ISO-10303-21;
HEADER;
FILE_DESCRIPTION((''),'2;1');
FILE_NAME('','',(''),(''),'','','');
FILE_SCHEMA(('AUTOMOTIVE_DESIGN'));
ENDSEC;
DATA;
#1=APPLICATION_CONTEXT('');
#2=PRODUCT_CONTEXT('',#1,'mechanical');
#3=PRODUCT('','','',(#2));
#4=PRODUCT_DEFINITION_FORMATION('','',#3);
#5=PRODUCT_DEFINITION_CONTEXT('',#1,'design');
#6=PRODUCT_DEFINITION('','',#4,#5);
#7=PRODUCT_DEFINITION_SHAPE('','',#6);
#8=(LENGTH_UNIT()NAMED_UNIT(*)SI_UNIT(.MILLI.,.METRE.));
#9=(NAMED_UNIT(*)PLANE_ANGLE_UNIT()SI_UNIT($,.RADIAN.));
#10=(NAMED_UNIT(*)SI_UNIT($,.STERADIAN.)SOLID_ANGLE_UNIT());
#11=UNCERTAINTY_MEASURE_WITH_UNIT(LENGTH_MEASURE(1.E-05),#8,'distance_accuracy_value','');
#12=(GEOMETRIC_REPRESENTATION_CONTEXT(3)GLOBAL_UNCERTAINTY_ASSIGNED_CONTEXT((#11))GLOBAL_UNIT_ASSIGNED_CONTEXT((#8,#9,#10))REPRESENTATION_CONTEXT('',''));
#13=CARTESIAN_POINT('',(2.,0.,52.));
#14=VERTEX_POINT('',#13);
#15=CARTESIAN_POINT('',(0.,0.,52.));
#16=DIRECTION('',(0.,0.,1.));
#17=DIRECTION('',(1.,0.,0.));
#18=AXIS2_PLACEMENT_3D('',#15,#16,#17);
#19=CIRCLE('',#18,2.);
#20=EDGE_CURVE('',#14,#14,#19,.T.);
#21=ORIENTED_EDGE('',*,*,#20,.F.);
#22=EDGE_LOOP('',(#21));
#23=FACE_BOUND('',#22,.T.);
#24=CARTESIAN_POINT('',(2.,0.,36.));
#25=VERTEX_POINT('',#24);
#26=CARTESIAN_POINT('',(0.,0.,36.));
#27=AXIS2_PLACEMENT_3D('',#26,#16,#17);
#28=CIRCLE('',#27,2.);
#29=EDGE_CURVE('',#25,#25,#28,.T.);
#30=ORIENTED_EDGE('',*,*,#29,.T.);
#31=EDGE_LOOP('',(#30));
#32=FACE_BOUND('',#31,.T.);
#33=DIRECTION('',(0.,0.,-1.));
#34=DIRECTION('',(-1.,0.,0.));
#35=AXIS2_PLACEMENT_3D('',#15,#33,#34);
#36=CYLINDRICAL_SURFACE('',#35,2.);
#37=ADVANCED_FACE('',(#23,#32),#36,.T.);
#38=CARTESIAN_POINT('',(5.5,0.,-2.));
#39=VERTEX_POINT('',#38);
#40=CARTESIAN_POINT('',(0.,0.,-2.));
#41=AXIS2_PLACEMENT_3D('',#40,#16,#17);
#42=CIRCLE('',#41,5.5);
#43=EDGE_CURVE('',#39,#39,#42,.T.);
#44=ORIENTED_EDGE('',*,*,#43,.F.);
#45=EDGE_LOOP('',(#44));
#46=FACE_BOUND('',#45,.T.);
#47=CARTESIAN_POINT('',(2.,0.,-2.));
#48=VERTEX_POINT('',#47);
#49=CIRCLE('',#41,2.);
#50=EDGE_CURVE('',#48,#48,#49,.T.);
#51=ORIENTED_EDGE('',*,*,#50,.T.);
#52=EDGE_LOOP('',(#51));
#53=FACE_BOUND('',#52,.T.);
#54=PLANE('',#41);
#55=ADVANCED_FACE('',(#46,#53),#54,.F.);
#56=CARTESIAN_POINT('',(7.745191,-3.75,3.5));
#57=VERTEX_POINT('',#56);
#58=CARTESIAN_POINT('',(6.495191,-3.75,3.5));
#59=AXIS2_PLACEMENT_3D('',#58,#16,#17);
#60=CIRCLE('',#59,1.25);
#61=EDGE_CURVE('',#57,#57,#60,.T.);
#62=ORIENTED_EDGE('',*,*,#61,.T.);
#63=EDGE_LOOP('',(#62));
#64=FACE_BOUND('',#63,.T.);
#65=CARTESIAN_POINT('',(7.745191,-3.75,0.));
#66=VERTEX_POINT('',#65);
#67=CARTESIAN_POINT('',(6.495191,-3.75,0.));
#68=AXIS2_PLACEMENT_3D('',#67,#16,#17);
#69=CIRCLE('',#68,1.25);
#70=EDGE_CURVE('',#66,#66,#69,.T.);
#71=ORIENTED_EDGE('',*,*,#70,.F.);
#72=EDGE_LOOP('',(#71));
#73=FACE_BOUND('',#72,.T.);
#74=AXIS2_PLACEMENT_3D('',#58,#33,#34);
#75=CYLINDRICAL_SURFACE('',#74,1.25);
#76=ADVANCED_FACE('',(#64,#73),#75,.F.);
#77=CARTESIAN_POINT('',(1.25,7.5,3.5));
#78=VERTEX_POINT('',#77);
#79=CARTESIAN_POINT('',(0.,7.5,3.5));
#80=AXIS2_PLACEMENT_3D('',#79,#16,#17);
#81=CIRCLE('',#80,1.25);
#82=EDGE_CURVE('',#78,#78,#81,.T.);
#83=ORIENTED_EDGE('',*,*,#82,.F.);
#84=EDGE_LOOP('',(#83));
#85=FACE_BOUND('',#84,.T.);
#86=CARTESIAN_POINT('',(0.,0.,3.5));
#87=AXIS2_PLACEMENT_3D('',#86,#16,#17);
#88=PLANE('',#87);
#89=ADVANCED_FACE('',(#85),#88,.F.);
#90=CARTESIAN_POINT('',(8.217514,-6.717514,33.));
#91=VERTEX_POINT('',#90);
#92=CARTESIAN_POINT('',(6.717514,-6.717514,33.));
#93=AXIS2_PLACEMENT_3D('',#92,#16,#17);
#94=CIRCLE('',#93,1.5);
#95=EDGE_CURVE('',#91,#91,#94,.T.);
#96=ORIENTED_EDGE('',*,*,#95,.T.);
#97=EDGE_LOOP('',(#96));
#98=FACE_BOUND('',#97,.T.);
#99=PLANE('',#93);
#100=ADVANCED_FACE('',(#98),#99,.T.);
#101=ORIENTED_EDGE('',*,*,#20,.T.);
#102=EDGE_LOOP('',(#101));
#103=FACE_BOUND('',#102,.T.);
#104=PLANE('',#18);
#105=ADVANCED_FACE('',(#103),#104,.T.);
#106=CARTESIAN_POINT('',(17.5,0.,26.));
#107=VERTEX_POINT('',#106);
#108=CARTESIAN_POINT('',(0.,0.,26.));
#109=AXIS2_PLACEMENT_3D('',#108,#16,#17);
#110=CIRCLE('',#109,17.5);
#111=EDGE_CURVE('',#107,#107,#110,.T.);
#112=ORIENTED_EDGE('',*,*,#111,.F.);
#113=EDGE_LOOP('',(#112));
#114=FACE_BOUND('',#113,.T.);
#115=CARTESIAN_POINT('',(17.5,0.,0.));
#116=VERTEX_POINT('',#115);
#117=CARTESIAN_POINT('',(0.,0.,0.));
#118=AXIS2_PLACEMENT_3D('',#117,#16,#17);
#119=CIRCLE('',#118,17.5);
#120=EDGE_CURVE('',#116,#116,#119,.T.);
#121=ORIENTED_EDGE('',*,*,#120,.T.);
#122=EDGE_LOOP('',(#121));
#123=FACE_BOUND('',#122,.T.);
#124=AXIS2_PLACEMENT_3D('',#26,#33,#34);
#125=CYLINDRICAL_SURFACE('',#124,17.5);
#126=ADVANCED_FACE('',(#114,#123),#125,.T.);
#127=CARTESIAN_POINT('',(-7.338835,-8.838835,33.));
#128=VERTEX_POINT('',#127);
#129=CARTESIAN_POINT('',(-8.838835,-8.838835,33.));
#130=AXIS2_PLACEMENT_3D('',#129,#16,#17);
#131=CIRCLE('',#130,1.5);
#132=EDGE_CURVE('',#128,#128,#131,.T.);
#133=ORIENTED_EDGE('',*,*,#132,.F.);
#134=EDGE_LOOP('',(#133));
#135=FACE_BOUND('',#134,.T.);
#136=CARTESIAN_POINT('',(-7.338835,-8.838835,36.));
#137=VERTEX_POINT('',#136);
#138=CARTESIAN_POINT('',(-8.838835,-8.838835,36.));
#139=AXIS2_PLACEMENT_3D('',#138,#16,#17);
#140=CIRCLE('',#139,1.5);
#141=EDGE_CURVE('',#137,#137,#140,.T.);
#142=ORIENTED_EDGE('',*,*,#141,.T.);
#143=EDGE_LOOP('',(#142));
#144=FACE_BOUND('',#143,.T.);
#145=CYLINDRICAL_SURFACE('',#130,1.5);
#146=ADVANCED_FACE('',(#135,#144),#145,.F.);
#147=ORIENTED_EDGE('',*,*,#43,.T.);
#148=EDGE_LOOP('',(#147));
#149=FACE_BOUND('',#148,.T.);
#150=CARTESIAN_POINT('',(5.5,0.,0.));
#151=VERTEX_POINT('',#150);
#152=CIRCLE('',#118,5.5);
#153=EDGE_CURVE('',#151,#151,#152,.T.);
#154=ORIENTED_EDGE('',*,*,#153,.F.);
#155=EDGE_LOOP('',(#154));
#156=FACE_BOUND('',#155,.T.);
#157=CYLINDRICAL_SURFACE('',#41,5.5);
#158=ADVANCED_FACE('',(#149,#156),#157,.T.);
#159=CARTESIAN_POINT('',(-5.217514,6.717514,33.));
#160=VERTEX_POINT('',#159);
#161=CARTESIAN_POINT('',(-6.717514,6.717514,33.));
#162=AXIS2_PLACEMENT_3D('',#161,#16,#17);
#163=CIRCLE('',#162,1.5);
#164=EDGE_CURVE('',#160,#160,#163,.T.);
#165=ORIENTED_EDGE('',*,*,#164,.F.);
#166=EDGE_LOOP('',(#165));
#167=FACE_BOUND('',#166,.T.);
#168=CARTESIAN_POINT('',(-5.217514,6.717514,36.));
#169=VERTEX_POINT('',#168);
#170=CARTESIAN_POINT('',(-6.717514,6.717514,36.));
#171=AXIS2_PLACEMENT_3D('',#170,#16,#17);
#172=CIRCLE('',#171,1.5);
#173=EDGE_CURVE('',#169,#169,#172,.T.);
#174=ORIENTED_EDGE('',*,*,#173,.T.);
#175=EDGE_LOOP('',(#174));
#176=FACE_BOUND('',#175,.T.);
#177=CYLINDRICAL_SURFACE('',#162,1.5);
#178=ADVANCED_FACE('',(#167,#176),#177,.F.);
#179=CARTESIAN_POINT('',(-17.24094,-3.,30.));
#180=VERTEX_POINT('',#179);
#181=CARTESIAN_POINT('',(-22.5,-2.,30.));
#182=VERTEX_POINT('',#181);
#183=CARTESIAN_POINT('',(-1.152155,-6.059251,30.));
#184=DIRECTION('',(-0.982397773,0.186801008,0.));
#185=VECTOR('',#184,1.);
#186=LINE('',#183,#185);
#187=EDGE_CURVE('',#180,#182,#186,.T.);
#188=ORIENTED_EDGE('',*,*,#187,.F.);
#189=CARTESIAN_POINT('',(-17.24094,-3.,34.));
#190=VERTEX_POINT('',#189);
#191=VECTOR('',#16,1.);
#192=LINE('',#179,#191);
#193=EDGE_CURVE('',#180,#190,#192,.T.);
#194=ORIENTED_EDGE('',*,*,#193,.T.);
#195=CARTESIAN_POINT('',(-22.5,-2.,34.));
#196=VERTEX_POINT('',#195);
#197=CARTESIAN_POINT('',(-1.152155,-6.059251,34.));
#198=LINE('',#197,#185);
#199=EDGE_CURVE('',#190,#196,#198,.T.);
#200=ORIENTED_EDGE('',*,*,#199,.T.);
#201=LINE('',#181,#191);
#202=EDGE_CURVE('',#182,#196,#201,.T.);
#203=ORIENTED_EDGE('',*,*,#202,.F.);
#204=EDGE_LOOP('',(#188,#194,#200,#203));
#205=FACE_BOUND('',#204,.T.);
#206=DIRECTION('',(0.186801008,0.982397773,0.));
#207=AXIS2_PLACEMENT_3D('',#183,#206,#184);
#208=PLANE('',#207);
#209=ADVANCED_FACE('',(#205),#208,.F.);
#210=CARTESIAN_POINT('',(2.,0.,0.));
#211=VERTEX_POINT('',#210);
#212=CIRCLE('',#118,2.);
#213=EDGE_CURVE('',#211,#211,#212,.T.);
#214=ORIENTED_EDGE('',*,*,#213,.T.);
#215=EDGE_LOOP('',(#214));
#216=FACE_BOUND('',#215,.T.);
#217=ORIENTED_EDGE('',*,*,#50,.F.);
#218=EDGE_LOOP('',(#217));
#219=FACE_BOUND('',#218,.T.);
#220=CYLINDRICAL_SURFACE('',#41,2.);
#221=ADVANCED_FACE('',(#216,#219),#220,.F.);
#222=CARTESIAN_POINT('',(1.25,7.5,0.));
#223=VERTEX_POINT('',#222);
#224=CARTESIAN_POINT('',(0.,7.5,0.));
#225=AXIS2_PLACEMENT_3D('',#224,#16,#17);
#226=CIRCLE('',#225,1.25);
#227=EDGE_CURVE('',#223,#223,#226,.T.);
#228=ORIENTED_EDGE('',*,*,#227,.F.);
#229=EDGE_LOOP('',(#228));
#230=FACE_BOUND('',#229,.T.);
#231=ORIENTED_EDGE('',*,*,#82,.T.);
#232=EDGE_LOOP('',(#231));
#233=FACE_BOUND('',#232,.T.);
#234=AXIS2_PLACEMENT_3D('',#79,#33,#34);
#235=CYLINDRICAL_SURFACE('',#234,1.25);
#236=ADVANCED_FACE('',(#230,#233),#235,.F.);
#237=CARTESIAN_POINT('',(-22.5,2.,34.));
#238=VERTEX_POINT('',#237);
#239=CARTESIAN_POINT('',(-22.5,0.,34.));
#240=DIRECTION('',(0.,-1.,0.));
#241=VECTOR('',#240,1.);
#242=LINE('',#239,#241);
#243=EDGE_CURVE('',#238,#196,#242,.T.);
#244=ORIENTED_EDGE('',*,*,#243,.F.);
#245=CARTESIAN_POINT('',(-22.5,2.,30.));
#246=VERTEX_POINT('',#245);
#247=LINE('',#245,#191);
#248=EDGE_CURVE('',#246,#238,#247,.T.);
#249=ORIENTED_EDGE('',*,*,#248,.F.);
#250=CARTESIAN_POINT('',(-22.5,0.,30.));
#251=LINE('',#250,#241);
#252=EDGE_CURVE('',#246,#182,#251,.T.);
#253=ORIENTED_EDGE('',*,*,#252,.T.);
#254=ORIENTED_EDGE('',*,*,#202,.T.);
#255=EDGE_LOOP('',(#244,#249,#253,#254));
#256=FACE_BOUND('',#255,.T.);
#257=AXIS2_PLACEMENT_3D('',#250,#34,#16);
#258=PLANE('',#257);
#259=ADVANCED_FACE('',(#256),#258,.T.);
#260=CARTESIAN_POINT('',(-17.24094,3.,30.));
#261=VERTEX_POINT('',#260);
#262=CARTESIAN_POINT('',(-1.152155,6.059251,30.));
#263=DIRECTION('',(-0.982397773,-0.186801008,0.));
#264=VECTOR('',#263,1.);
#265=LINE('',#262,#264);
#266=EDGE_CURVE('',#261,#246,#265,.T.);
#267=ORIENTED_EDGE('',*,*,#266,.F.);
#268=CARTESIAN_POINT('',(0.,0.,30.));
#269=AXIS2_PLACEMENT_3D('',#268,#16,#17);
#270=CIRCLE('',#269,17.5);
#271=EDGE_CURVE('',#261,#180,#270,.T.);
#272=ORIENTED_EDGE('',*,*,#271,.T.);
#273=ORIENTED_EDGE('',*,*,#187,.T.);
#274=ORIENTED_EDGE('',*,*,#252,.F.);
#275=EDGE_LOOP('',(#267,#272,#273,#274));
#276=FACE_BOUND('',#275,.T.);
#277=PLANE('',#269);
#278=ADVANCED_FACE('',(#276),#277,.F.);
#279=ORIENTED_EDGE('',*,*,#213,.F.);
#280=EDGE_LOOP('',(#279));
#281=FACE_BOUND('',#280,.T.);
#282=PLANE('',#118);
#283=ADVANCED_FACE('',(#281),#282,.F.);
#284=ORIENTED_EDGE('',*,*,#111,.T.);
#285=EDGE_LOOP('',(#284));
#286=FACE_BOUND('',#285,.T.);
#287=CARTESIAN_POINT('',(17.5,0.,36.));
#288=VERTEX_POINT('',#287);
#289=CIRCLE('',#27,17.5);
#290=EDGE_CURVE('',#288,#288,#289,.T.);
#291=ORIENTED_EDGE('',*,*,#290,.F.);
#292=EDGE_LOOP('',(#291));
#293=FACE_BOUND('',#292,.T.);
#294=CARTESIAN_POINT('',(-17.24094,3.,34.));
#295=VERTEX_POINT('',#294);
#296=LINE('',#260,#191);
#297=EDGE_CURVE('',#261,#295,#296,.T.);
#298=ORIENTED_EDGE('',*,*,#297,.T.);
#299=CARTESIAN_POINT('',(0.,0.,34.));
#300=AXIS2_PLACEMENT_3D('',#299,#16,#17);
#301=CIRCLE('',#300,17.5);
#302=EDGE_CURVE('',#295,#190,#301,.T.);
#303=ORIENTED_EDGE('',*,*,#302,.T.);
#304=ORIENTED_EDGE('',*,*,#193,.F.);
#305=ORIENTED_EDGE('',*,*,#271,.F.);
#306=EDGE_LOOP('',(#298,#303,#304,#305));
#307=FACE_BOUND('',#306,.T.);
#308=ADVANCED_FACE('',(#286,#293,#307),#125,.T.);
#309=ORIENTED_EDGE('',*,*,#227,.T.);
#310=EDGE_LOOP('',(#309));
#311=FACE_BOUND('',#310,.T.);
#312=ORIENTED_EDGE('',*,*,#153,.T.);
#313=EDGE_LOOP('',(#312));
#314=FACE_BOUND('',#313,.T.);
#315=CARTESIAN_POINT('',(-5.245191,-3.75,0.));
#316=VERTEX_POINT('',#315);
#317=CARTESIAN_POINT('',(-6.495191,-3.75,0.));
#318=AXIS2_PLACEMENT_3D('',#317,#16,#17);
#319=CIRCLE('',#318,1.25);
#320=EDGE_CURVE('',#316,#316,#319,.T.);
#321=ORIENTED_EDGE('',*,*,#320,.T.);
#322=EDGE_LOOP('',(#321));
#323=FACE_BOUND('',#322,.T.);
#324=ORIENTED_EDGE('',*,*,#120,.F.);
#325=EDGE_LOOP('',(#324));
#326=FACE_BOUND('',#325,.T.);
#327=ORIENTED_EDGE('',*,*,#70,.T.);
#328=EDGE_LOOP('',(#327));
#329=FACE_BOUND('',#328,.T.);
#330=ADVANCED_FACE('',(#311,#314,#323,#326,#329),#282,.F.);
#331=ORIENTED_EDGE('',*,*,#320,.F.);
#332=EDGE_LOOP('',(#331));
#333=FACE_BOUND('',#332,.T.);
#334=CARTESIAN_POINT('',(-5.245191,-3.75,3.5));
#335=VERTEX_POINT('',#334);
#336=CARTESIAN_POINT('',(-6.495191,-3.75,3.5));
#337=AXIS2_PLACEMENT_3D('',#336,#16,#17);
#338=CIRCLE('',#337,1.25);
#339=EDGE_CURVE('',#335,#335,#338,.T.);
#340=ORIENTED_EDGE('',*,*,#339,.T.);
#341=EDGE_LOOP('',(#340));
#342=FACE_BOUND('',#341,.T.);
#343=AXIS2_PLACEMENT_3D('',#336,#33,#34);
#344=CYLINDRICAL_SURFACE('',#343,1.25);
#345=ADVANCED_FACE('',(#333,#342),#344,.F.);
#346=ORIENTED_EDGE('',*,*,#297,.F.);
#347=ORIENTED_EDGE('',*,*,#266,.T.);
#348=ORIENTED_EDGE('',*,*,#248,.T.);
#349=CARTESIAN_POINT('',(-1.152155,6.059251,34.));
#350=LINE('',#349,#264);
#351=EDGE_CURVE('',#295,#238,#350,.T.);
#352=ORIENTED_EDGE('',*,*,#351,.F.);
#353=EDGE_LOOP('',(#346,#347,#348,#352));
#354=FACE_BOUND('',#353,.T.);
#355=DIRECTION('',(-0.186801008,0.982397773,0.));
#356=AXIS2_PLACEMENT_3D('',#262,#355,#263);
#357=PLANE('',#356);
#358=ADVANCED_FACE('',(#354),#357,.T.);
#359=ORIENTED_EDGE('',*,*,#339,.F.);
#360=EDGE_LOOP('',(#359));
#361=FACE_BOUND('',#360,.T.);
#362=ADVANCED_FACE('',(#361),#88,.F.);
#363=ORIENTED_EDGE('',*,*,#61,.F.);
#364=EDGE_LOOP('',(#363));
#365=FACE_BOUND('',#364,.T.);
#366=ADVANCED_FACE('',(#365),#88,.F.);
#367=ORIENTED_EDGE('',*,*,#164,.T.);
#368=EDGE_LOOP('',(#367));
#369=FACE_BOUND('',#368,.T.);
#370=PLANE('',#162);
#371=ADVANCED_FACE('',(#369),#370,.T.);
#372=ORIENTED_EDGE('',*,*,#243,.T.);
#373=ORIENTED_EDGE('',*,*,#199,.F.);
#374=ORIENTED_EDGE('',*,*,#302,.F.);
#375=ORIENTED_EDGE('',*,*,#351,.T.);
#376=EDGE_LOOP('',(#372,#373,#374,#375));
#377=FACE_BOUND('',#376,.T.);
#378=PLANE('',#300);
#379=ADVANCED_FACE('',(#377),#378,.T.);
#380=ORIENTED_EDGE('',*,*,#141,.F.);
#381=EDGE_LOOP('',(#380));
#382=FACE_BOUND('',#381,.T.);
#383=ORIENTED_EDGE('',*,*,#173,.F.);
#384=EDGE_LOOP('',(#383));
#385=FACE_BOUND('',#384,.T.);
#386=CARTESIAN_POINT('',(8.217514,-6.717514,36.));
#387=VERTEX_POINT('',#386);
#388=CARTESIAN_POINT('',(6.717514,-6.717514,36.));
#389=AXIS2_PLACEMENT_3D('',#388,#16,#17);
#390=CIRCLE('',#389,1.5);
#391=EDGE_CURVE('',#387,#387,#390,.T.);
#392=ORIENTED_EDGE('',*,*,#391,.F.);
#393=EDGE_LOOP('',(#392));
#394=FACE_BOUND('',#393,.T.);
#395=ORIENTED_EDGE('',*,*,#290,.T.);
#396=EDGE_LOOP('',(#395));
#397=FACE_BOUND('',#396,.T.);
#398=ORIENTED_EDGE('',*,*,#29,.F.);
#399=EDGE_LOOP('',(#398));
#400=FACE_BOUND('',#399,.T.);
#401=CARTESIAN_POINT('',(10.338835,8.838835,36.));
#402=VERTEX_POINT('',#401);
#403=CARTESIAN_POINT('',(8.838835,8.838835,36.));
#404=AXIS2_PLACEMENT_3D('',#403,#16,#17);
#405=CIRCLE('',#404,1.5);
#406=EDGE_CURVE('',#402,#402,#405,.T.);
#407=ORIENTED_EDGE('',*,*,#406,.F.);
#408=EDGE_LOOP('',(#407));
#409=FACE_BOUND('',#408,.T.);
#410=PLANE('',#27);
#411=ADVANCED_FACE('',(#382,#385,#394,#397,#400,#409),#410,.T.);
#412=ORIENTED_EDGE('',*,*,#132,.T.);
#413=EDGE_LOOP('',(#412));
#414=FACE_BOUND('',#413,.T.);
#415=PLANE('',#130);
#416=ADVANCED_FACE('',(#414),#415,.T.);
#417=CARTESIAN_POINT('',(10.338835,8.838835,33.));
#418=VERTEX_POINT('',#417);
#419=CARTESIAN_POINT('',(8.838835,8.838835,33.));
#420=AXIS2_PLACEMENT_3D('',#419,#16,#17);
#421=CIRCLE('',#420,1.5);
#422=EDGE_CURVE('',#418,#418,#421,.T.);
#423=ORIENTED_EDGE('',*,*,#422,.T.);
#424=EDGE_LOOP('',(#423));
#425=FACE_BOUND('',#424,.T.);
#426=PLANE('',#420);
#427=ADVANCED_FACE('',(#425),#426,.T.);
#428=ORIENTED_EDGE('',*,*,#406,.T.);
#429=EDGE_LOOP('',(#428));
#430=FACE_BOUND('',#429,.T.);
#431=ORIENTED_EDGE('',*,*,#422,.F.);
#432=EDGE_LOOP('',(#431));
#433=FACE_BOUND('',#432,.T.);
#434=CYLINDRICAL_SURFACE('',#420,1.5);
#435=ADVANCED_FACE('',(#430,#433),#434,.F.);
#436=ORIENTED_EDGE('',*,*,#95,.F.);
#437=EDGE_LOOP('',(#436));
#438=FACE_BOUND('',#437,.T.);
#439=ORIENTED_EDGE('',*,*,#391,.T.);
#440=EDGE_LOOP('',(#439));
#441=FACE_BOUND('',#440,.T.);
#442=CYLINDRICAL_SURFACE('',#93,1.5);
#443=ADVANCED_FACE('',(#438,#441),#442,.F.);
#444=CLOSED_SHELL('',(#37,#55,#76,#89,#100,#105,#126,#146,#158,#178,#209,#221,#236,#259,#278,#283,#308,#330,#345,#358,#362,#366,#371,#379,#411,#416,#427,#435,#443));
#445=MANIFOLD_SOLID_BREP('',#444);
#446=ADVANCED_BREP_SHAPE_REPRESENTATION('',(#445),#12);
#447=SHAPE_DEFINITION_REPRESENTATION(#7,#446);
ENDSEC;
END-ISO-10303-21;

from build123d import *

# Parameters (mm, degrees)
SKETCH3_R           = 17.5
SKETCH3_R_2         = 1.25
SKETCH3_R_3         = 5.5
SKETCH3_R_4         = 2
BOSS_EXTRUDE2_DEPTH = 36
BOSS_EXTRUDE3_START = 36
SKETCH3_4_R         = 2
BOSS_EXTRUDE3_DEPTH = 16
BOSS_EXTRUDE4_START = -2
SKETCH3_5_R         = 5.5
SKETCH3_5_R_2       = 2
BOSS_EXTRUDE4_DEPTH = 2
SKETCH3_8_R         = 1.25
CUT_EXTRUDE1_DEPTH  = 3.5
CUT_EXTRUDE2_START  = 36
BASE_R              = 1.5
CUT_EXTRUDE2_DEPTH  = 3
BOSS_EXTRUDE5_START = 30
BOSS_EXTRUDE5_DEPTH = 4


with BuildPart() as part:
    # Sketch3 → Boss-Extrude2 (new body)
    # profile 1 of 6: a face of its own
    with BuildSketch(Plane.XY):
        Circle(SKETCH3_R)
        with Locations((-6.495190528, -3.75)):
            Circle(SKETCH3_R_2, mode=Mode.SUBTRACT)
        with Locations((6.495190528, -3.75)):
            Circle(SKETCH3_R_2, mode=Mode.SUBTRACT)
        with Locations((0, 7.5)):
            Circle(SKETCH3_R_2, mode=Mode.SUBTRACT)
        Circle(SKETCH3_R_3, mode=Mode.SUBTRACT)
    # profile 2 of 6: a face of its own
    with BuildSketch(Plane.XY):
        with Locations((0, 7.5)):
            Circle(SKETCH3_R_2)
    # profile 3 of 6: a face of its own
    with BuildSketch(Plane.XY):
        Circle(SKETCH3_R_3)
        Circle(SKETCH3_R_4, mode=Mode.SUBTRACT)
    # profile 4 of 6: a face of its own
    with BuildSketch(Plane.XY):
        Circle(SKETCH3_R_4)
    # profile 5 of 6: a face of its own
    with BuildSketch(Plane.XY):
        with Locations((-6.495190528, -3.75)):
            Circle(SKETCH3_R_2)
    # profile 6 of 6: a face of its own
    with BuildSketch(Plane.XY):
        with Locations((6.495190528, -3.75)):
            Circle(SKETCH3_R_2)
    extrude(amount=BOSS_EXTRUDE2_DEPTH)

    # Sketch3<4> → Boss-Extrude3 (add)
    with BuildSketch(Plane.XY.offset(BOSS_EXTRUDE3_START)):
        Circle(SKETCH3_4_R)
    extrude(amount=BOSS_EXTRUDE3_DEPTH)

    # Sketch3<5> → Boss-Extrude4 (add)
    with BuildSketch(Plane.XY.offset(BOSS_EXTRUDE4_START)):
        Circle(SKETCH3_5_R)
        Circle(SKETCH3_5_R_2, mode=Mode.SUBTRACT)
    extrude(amount=BOSS_EXTRUDE4_DEPTH)

    # Sketch3<8> → Cut-Extrude1 (cut)
    with BuildSketch(Plane.XY):
        with Locations((0, 7.5)):
            Circle(SKETCH3_8_R)
        with Locations((6.495190528, -3.75)):
            Circle(SKETCH3_8_R)
        with Locations((-6.495190528, -3.75)):
            Circle(SKETCH3_8_R)
    extrude(amount=CUT_EXTRUDE1_DEPTH, mode=Mode.SUBTRACT)

    # Base → Cut-Extrude2 (cut)
    with BuildSketch(Plane.XY.offset(CUT_EXTRUDE2_START)):
        with Locations((8.838834765, 8.838834765)):
            Circle(BASE_R)
        with Locations((-6.717514421, 6.717514421)):
            Circle(BASE_R)
        with Locations((-8.838834765, -8.838834765)):
            Circle(BASE_R)
        with Locations((6.717514421, -6.717514421)):
            Circle(BASE_R)
    extrude(amount=-CUT_EXTRUDE2_DEPTH, mode=Mode.SUBTRACT)

    # Base<4> → Boss-Extrude5 (add)
    with BuildSketch(Plane.XY.offset(BOSS_EXTRUDE5_START)):
        with BuildLine():
            ThreePointArc((-17.24093965, -3), (-17.5, 0), (-17.24093965, 3))
            Line((-17.24093965, 3), (-22.5, 2))
            Line((-22.5, 2), (-22.5, -2))
            Line((-22.5, -2), (-17.24093965, -3))
        make_face()
    extrude(amount=BOSS_EXTRUDE5_DEPTH)


solid = part.part
